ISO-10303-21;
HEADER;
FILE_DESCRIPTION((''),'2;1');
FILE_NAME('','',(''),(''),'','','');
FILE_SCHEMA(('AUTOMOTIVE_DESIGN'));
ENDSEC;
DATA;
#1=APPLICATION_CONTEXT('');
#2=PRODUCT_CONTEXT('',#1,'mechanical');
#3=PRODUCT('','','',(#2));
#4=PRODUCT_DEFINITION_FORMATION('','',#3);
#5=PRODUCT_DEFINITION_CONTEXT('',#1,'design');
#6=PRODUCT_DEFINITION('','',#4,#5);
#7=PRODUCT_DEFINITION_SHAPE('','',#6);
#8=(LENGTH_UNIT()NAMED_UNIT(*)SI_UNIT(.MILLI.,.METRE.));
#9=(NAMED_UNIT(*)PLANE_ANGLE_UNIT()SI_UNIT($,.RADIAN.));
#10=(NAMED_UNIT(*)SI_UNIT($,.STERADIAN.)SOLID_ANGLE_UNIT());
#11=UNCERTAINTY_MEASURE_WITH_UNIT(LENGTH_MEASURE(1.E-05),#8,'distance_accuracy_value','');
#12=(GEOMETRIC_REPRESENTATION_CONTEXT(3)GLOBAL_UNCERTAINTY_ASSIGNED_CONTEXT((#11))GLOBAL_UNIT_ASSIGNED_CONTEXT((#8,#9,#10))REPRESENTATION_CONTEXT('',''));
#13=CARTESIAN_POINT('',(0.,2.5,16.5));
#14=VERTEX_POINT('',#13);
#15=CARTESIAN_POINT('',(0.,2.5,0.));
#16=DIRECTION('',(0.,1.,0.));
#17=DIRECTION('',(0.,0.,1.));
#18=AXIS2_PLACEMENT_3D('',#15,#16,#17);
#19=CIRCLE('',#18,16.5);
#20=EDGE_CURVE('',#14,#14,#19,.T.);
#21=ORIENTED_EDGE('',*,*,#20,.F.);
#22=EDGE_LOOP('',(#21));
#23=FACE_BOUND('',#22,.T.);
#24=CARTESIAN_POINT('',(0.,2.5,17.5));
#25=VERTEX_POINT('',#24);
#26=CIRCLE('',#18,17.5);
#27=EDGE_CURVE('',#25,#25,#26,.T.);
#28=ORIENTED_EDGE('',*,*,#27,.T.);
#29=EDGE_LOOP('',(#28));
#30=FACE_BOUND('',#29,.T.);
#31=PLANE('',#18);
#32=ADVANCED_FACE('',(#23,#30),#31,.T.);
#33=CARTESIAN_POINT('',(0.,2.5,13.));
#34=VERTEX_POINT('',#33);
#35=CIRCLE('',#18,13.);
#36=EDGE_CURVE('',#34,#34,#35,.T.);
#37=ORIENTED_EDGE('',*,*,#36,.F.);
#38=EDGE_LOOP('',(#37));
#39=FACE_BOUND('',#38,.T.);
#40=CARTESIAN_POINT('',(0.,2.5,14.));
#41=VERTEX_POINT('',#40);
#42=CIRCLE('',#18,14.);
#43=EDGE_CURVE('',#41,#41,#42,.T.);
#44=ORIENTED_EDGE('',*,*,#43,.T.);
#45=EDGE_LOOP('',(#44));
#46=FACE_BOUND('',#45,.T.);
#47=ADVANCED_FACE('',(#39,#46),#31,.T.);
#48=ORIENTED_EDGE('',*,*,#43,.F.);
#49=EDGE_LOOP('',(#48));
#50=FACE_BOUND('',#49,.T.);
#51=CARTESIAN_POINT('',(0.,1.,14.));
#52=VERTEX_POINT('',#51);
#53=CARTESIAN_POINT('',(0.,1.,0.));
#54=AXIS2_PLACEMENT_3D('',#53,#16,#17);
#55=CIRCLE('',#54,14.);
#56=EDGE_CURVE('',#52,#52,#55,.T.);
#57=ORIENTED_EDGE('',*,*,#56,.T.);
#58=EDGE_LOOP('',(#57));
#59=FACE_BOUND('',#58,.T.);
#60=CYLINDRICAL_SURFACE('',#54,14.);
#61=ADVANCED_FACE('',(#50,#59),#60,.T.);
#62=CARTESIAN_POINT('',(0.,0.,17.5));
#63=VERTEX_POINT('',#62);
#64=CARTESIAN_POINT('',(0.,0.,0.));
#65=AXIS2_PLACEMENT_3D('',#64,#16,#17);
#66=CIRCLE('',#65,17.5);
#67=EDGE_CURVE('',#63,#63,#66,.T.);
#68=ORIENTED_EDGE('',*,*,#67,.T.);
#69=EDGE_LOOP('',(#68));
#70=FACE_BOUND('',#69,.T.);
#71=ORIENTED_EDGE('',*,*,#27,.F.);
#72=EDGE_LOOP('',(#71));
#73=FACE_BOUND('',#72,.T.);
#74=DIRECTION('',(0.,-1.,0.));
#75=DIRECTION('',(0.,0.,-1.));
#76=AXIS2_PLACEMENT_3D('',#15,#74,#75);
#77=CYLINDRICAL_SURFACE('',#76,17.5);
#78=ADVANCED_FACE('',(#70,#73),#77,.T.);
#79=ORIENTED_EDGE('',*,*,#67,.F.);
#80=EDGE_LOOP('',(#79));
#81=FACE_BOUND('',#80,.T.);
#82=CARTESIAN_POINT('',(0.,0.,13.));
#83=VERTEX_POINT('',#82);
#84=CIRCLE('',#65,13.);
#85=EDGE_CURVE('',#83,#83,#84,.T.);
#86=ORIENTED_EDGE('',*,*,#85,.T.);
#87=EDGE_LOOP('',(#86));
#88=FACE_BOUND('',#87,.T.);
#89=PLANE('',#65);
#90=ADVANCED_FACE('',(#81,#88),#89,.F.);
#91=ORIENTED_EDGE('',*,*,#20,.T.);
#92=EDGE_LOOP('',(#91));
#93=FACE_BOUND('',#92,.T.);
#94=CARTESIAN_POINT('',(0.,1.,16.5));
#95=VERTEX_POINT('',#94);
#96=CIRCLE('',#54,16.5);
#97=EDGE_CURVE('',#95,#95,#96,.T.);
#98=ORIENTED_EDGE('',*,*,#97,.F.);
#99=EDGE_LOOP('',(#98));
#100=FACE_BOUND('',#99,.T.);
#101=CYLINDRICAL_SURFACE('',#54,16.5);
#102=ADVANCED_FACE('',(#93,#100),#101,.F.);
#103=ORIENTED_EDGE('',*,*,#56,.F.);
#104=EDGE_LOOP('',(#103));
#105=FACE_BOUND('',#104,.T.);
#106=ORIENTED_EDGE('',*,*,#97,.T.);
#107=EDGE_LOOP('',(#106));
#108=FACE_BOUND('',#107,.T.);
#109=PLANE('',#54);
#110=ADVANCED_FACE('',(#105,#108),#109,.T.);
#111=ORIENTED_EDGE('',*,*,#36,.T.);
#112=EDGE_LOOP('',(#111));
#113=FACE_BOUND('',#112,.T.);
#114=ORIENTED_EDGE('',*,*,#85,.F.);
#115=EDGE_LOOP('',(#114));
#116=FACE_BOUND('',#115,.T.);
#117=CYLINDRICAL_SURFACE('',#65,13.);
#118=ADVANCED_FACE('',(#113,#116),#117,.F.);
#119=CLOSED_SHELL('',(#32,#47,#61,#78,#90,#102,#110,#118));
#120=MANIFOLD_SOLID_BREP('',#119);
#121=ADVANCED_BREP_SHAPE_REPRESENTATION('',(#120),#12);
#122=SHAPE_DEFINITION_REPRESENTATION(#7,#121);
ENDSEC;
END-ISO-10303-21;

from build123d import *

# Parameters (mm, degrees)
SKETCH_1_R          = 17.5
EXTRUDE_1_DEPTH     = 2.5
SKETCH_2_R          = 13
CUT_EXTRUDE_1_DEPTH = 2.5
SKETCH_3_R          = 16.5
SKETCH_3_R_2        = 14
CUT_EXTRUDE_2_DEPTH = 1.5


with BuildPart() as part:
    # 草图1 → 凸台-拉伸1 (new body)
    with BuildSketch(Plane(origin=(0, 0, 0), x_dir=(1, 0, 0), z_dir=(0, 1, 0))):
        with Locations(Location((0, 0, 0), (0, 0, 270))):
            Circle(SKETCH_1_R)
    extrude(amount=EXTRUDE_1_DEPTH)

    # 草图2 → 切除-拉伸1 (cut)
    with BuildSketch(Plane(origin=(0, 2.5, 0), x_dir=(1, 0, 0), z_dir=(0, 1, 0))):
        with Locations(Location((0, 0, 0), (0, 0, 270))):
            Circle(SKETCH_2_R)
    extrude(amount=-CUT_EXTRUDE_1_DEPTH, mode=Mode.SUBTRACT)

    # 草图3 → 切除-拉伸2 (cut)
    with BuildSketch(Plane(origin=(0, 2.5, 0), x_dir=(1, 0, 0), z_dir=(0, 1, 0))):
        with Locations(Location((0, 0, 0), (0, 0, 270))):
            Circle(SKETCH_3_R)
        with Locations(Location((0, 0, 0), (0, 0, 270))):
            Circle(SKETCH_3_R_2, mode=Mode.SUBTRACT)
    extrude(amount=-CUT_EXTRUDE_2_DEPTH, mode=Mode.SUBTRACT)


solid = part.part
